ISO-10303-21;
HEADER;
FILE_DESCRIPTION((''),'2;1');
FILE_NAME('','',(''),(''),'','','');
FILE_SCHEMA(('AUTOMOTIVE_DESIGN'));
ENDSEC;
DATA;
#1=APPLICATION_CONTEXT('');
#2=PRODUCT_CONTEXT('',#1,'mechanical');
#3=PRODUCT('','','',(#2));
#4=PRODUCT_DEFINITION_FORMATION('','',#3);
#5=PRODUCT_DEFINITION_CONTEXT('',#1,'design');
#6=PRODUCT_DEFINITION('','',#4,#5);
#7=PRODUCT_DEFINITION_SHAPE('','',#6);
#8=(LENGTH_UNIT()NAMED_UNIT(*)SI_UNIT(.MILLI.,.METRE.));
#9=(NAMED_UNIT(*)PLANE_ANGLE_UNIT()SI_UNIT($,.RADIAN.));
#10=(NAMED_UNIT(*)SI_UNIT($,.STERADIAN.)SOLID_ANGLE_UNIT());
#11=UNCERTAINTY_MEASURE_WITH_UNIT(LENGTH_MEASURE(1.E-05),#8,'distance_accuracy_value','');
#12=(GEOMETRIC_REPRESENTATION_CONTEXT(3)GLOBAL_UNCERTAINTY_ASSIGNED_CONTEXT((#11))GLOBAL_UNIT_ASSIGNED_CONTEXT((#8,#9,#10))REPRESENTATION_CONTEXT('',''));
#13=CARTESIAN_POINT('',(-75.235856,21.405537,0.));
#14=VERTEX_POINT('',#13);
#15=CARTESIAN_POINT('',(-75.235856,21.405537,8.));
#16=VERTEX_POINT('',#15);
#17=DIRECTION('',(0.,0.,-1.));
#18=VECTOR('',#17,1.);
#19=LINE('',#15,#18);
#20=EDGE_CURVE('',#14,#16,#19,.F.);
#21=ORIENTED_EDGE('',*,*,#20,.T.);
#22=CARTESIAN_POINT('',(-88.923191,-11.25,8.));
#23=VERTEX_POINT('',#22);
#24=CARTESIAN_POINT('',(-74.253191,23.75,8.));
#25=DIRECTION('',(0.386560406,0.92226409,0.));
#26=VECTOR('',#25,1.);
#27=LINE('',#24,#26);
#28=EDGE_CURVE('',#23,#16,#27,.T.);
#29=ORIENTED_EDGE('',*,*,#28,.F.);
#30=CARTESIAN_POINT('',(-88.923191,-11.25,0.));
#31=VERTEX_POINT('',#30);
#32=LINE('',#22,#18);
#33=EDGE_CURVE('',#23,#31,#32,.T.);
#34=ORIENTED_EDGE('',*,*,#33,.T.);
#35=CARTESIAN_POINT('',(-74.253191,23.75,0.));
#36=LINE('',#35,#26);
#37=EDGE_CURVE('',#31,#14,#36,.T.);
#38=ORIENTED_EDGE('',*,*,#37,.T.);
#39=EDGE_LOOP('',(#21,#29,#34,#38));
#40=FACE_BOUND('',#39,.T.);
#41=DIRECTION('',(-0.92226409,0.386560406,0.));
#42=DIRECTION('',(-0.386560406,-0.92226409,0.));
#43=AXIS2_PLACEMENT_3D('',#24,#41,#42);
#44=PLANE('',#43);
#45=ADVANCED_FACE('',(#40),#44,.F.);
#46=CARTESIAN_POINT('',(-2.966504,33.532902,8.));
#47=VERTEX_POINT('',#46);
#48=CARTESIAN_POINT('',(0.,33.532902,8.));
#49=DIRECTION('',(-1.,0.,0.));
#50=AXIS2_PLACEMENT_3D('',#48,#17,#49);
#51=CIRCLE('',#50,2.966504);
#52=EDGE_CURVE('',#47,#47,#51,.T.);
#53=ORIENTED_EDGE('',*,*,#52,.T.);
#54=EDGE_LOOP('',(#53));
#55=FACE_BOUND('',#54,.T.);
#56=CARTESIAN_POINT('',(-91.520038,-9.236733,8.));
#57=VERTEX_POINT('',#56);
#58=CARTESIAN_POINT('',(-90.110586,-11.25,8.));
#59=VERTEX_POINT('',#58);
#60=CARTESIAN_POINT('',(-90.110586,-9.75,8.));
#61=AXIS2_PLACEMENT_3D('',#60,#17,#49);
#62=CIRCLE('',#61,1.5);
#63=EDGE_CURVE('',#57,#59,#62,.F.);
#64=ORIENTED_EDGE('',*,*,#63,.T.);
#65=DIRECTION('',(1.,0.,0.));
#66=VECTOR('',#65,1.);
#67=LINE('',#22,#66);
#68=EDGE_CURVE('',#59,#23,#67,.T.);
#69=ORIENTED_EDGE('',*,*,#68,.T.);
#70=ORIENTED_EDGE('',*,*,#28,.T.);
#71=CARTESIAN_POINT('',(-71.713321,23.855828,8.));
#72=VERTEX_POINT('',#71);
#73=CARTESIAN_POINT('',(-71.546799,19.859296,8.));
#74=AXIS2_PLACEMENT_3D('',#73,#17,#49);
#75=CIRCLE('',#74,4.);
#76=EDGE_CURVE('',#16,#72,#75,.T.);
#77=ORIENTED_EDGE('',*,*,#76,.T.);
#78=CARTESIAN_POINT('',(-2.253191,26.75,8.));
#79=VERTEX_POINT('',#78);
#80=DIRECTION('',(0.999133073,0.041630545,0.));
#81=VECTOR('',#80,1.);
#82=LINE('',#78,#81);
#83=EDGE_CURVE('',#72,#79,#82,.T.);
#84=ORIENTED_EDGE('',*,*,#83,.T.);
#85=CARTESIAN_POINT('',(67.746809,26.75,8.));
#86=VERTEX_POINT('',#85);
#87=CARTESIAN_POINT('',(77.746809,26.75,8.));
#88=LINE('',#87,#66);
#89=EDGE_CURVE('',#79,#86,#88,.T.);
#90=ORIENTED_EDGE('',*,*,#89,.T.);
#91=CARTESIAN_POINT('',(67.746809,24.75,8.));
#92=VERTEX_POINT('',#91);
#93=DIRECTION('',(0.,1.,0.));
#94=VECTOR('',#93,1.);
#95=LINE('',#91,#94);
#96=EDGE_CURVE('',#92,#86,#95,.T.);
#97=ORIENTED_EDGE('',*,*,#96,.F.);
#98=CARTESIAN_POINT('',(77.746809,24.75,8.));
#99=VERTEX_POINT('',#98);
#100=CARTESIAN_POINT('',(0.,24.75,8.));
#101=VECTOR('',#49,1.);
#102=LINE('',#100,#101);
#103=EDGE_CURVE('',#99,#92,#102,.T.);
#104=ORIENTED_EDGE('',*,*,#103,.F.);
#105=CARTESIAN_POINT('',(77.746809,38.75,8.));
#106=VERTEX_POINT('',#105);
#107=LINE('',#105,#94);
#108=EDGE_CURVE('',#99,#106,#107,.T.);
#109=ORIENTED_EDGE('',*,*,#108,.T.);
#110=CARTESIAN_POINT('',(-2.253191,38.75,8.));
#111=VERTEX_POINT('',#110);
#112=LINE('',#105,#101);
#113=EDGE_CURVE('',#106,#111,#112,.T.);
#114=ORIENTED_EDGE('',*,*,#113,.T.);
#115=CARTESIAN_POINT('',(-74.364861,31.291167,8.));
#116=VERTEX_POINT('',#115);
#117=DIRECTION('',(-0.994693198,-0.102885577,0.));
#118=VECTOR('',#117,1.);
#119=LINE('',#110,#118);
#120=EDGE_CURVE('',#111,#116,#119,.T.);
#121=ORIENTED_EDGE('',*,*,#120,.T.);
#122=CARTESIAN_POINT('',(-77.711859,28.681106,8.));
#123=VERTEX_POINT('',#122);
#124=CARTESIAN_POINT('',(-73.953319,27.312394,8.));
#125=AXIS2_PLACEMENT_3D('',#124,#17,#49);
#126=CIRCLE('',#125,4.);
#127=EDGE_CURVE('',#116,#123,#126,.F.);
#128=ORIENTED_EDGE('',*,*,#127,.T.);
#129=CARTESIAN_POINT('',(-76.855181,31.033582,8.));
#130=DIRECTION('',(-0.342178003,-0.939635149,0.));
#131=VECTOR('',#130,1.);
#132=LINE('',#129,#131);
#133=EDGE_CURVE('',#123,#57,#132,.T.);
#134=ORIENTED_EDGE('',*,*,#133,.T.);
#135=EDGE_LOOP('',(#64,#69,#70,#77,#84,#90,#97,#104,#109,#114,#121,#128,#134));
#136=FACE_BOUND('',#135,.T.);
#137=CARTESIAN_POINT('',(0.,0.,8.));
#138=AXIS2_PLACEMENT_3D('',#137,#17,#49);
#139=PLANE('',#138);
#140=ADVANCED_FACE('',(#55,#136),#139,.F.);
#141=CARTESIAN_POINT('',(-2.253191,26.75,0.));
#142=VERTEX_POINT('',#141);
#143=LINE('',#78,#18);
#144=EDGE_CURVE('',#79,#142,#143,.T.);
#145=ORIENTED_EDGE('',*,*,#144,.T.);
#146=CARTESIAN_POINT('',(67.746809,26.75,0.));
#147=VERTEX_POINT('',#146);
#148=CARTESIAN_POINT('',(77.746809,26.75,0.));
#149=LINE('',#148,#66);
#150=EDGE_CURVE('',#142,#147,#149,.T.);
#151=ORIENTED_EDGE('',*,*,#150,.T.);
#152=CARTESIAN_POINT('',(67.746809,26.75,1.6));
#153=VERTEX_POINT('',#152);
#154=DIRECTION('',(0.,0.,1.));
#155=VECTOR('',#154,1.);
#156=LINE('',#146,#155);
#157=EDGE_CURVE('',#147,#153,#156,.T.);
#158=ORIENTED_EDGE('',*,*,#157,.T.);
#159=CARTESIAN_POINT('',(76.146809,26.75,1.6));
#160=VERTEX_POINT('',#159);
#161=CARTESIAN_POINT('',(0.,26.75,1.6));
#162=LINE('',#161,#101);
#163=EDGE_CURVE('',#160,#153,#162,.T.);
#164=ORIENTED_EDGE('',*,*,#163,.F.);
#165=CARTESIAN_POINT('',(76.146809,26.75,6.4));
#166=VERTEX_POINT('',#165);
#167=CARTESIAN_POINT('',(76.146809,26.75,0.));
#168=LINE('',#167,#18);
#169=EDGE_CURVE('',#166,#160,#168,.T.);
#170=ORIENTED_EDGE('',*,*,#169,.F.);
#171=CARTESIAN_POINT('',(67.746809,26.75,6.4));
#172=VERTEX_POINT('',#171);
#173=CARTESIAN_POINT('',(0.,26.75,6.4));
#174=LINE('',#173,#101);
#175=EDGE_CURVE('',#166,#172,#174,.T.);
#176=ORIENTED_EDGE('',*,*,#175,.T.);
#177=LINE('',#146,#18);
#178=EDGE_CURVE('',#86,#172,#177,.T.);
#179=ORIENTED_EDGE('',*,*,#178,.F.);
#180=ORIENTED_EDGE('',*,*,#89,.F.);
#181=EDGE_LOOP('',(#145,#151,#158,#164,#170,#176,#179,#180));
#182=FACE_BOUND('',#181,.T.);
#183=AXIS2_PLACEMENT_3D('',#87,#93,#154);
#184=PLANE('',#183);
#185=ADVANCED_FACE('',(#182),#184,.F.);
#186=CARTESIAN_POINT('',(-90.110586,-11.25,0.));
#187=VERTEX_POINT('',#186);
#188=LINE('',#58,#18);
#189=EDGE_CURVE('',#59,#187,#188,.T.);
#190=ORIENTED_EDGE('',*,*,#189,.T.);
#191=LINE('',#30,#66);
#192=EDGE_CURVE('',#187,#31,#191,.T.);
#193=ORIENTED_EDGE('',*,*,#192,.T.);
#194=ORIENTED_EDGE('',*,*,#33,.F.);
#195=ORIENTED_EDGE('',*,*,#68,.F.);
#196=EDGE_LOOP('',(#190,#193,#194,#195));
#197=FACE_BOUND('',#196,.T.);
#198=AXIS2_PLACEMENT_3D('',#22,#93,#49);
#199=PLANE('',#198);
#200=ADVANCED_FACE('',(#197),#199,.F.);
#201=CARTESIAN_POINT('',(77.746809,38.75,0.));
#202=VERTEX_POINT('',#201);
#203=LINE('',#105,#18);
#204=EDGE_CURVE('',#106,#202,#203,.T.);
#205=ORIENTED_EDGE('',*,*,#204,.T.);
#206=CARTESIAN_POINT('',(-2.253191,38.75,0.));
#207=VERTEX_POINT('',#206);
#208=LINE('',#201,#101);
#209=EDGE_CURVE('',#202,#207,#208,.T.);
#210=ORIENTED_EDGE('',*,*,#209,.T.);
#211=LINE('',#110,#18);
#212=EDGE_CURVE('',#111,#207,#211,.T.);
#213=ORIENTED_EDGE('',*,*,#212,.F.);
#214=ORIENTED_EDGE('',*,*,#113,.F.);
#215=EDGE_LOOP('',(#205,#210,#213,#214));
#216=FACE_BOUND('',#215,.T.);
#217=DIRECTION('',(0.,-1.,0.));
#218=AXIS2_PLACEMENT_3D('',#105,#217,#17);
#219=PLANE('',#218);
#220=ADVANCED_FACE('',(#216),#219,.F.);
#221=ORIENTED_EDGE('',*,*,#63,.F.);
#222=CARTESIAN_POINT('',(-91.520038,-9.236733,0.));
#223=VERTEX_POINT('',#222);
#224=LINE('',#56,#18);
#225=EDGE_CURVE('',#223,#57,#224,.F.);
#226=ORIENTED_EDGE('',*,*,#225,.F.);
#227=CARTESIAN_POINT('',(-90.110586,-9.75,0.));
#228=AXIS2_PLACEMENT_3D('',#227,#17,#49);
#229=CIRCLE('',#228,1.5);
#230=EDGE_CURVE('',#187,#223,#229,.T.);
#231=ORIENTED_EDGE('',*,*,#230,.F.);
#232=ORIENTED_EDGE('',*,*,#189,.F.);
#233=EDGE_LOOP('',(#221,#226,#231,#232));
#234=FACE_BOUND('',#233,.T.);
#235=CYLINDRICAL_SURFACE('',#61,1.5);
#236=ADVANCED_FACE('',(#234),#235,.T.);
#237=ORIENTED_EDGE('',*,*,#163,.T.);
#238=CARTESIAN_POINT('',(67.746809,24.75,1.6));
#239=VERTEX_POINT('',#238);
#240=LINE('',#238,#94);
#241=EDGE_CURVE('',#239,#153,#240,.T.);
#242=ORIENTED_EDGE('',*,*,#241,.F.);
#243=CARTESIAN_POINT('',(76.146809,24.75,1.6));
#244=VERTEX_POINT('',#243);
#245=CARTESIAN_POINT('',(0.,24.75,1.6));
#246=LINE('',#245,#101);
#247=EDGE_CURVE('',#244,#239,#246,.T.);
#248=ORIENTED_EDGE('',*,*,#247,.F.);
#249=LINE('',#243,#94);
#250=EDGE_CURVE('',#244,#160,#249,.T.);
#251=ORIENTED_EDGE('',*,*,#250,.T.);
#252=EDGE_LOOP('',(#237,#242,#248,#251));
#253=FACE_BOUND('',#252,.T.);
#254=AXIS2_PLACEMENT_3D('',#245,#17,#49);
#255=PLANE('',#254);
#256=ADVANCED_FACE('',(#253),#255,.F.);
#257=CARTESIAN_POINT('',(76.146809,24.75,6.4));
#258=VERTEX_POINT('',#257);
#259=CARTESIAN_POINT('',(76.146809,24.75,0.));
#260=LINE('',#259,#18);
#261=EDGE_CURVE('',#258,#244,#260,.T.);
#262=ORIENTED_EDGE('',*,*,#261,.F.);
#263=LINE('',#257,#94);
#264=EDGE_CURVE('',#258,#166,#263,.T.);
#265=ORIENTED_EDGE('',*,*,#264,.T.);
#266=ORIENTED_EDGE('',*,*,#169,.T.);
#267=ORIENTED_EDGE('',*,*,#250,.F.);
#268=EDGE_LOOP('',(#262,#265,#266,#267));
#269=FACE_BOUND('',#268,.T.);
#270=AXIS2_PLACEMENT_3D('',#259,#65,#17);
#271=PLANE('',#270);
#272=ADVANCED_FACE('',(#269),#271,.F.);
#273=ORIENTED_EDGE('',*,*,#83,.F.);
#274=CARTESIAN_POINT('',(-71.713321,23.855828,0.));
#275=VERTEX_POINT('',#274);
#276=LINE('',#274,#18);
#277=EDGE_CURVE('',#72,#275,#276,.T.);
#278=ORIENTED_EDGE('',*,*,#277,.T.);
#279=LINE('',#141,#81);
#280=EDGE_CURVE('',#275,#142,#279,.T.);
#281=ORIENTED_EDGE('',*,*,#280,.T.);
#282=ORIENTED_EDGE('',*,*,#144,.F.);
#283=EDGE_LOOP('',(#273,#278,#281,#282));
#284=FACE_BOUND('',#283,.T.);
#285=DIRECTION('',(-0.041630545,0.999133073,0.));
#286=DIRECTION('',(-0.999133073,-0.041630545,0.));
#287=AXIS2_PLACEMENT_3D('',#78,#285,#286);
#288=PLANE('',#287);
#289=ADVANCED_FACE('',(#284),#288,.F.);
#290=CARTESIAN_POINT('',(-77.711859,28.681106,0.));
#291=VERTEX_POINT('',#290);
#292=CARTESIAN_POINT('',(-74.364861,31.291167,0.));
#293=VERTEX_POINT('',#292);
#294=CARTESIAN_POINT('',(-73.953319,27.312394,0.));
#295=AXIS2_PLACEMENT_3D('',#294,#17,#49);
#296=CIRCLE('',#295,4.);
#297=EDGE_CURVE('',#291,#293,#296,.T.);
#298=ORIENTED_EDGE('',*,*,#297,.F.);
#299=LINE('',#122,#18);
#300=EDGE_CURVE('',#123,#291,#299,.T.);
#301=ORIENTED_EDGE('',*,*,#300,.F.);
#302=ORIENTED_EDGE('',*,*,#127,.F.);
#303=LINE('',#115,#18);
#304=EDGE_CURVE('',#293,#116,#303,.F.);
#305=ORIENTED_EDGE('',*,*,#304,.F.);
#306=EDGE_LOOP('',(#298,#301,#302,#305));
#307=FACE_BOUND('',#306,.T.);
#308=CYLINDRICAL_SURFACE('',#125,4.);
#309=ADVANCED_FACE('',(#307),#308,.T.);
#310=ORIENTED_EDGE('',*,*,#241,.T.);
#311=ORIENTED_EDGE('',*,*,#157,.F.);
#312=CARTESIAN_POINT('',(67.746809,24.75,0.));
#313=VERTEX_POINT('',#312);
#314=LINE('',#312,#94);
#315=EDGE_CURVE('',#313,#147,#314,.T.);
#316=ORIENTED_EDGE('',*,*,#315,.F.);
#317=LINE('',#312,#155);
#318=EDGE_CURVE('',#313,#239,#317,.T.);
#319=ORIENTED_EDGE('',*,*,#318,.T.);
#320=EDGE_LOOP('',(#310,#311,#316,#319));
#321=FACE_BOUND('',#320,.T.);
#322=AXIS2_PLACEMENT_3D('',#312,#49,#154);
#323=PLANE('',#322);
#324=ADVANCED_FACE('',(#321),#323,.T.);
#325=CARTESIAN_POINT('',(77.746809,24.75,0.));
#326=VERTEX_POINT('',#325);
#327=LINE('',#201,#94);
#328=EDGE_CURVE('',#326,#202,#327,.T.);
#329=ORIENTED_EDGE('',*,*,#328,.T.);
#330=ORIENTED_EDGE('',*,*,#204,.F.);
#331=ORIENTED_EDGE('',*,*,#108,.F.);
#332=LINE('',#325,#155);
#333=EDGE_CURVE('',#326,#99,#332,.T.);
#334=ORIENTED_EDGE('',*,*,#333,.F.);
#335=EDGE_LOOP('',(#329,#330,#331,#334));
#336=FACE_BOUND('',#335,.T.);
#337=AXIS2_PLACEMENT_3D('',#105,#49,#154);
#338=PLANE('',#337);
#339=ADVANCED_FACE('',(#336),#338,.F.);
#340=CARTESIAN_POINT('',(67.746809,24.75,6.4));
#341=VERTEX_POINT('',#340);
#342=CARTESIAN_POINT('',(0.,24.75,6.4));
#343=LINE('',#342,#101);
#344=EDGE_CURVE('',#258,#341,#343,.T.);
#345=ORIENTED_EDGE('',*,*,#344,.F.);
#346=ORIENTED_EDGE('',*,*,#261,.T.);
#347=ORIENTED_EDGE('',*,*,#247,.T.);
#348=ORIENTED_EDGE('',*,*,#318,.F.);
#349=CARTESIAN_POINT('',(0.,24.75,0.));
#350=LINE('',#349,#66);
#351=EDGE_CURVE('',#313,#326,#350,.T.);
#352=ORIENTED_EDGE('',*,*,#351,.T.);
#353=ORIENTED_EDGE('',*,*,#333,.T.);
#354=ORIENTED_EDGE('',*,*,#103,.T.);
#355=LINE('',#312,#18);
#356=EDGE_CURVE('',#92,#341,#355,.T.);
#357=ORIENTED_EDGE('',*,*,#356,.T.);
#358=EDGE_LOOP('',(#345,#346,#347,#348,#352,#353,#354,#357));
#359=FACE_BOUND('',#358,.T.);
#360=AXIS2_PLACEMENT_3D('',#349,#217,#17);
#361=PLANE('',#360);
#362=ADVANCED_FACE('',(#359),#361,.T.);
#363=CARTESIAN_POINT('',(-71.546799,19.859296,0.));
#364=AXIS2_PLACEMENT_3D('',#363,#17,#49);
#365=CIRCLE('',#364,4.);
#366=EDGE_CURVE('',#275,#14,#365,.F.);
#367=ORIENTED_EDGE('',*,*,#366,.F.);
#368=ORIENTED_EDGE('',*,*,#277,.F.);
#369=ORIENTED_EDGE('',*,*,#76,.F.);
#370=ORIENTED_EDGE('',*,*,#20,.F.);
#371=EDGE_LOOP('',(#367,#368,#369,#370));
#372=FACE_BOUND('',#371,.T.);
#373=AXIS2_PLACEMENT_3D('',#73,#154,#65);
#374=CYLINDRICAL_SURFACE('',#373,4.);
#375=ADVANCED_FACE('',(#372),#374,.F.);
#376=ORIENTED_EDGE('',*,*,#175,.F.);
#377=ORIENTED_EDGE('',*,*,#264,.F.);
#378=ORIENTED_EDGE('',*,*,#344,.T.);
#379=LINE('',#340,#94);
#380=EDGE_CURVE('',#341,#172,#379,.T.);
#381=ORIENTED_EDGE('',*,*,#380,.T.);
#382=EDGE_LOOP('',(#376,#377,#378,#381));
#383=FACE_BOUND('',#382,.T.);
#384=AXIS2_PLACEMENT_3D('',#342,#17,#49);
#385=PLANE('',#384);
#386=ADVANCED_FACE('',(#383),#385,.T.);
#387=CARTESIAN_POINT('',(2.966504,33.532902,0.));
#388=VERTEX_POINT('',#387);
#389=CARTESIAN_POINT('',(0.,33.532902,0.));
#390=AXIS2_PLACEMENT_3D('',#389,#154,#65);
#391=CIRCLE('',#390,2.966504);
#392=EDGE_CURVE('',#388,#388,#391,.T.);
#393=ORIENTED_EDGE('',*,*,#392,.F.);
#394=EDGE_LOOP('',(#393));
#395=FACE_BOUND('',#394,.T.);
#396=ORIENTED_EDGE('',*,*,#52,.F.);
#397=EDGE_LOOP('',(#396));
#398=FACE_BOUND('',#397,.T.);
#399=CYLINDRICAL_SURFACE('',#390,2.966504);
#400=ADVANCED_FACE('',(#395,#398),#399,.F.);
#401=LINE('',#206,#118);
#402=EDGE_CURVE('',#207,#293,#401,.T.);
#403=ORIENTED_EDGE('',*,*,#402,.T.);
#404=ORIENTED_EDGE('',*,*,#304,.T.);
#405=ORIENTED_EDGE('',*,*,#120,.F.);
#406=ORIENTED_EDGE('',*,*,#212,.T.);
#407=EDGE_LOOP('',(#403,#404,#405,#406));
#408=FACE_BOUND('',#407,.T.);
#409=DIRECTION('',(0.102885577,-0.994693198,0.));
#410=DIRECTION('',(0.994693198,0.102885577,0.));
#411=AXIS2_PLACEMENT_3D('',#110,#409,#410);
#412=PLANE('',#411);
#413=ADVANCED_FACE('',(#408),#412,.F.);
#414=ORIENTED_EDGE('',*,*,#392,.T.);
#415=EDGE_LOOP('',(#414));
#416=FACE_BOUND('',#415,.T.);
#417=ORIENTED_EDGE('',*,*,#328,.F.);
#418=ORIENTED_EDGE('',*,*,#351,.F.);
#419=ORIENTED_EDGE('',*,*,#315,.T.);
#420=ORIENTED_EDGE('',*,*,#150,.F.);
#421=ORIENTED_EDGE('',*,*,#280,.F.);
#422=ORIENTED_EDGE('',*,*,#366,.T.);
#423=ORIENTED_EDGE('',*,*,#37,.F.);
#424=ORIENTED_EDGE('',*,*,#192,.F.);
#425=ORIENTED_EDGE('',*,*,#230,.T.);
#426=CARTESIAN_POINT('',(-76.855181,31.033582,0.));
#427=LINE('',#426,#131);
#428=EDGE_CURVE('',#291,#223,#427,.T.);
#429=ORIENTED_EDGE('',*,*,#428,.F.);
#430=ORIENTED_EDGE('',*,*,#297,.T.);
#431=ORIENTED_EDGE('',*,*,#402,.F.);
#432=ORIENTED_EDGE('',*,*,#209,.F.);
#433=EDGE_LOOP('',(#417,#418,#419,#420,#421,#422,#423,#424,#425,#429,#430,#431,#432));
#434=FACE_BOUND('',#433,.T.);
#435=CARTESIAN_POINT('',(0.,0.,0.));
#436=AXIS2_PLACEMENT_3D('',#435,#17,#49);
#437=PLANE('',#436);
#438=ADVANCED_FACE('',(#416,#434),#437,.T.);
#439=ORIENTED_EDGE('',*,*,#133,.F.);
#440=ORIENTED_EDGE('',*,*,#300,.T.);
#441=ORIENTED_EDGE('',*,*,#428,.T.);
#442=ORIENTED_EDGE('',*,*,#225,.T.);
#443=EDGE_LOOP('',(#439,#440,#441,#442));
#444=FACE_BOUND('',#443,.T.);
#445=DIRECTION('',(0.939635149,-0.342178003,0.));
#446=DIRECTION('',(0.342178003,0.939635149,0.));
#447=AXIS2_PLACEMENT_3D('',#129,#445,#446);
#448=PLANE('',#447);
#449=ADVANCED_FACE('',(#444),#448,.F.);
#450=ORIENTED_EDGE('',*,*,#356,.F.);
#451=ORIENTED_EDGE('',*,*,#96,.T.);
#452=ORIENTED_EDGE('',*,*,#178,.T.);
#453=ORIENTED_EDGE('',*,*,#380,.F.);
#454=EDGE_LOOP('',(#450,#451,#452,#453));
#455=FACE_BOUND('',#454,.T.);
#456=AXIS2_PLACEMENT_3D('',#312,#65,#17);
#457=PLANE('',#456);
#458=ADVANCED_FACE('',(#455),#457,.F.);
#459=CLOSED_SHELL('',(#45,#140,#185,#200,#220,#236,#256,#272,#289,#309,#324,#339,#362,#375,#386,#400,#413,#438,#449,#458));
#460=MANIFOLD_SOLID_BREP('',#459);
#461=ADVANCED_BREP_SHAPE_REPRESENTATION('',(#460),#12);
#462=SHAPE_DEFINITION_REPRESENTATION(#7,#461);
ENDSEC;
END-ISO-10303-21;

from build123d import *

# Parameters (mm, degrees)
BOSS_EXTRUDE1_DEPTH     = 8
SKETCH6_W               = 1.6
SKETCH6_H               = 2.4
BOSS_EXTRUDE2_DEPTH     = 2
FILLET1_R               = 4
CUT_EXTRUDE1_DEPTH      = 101.380345151
CUT_EXTRUDE1_DEPTH_BACK = 101.380345151
SKETCH7_R               = 2.966503931
FILLET3_R               = 1.5


with BuildPart() as part:
    # Sketch4 → Boss-Extrude1 (new body)
    with BuildSketch(Plane.XY):
        Polygon((77.746809309, 38.75), (-2.253190691, 38.75), (-76.855180537, 31.033581723), (-92.253190691, -11.25), (-88.923190691, -11.25), (-74.253190691, 23.75), (-2.253190691, 26.75), (77.746809309, 26.75), align=None)
    extrude(amount=BOSS_EXTRUDE1_DEPTH)

    # Sketch6 → Boss-Extrude2 (add)
    with BuildSketch(Plane.XZ.offset(-26.75)):
        Polygon((77.746809309, 6.4), (77.746809309, 8), (67.746809309, 8), (67.746809309, 6.4), (76.146809309, 6.4), align=None)
        with Locations((76.946809309, 5.2)):
            Rectangle(SKETCH6_W, SKETCH6_H)
        with Locations((76.946809309, 2.8)):
            Rectangle(SKETCH6_W, SKETCH6_H)
        Polygon((77.746809309, 0), (77.746809309, 1.6), (76.146809309, 1.6), (67.746809309, 1.6), (67.746809309, 0), align=None)
    extrude(amount=BOSS_EXTRUDE2_DEPTH)

    # Fillet1
    fillet1_edges = [part.edges().sort_by_distance(p)[0] for p in [
        (-74.253190691, 23.75, 4),
        (-76.855180537, 31.033581723, 4),
    ]]
    fillet(fillet1_edges, radius=FILLET1_R)

    # Sketch7 → Cut-Extrude1 (cut, two sides: drawn at the far end of the back side and taken through both)
    with BuildSketch(Plane.XY.offset(8).offset(-CUT_EXTRUDE1_DEPTH_BACK)):
        with Locations((0, 33.532902176)):
            Circle(SKETCH7_R)
    extrude(amount=CUT_EXTRUDE1_DEPTH + CUT_EXTRUDE1_DEPTH_BACK, mode=Mode.SUBTRACT)

    # Fillet3
    fillet3_edges = [part.edges().sort_by_distance(p)[0] for p in [
        (-92.253190691, -11.25, 4),
    ]]
    fillet(fillet3_edges, radius=FILLET3_R)


solid = part.part
